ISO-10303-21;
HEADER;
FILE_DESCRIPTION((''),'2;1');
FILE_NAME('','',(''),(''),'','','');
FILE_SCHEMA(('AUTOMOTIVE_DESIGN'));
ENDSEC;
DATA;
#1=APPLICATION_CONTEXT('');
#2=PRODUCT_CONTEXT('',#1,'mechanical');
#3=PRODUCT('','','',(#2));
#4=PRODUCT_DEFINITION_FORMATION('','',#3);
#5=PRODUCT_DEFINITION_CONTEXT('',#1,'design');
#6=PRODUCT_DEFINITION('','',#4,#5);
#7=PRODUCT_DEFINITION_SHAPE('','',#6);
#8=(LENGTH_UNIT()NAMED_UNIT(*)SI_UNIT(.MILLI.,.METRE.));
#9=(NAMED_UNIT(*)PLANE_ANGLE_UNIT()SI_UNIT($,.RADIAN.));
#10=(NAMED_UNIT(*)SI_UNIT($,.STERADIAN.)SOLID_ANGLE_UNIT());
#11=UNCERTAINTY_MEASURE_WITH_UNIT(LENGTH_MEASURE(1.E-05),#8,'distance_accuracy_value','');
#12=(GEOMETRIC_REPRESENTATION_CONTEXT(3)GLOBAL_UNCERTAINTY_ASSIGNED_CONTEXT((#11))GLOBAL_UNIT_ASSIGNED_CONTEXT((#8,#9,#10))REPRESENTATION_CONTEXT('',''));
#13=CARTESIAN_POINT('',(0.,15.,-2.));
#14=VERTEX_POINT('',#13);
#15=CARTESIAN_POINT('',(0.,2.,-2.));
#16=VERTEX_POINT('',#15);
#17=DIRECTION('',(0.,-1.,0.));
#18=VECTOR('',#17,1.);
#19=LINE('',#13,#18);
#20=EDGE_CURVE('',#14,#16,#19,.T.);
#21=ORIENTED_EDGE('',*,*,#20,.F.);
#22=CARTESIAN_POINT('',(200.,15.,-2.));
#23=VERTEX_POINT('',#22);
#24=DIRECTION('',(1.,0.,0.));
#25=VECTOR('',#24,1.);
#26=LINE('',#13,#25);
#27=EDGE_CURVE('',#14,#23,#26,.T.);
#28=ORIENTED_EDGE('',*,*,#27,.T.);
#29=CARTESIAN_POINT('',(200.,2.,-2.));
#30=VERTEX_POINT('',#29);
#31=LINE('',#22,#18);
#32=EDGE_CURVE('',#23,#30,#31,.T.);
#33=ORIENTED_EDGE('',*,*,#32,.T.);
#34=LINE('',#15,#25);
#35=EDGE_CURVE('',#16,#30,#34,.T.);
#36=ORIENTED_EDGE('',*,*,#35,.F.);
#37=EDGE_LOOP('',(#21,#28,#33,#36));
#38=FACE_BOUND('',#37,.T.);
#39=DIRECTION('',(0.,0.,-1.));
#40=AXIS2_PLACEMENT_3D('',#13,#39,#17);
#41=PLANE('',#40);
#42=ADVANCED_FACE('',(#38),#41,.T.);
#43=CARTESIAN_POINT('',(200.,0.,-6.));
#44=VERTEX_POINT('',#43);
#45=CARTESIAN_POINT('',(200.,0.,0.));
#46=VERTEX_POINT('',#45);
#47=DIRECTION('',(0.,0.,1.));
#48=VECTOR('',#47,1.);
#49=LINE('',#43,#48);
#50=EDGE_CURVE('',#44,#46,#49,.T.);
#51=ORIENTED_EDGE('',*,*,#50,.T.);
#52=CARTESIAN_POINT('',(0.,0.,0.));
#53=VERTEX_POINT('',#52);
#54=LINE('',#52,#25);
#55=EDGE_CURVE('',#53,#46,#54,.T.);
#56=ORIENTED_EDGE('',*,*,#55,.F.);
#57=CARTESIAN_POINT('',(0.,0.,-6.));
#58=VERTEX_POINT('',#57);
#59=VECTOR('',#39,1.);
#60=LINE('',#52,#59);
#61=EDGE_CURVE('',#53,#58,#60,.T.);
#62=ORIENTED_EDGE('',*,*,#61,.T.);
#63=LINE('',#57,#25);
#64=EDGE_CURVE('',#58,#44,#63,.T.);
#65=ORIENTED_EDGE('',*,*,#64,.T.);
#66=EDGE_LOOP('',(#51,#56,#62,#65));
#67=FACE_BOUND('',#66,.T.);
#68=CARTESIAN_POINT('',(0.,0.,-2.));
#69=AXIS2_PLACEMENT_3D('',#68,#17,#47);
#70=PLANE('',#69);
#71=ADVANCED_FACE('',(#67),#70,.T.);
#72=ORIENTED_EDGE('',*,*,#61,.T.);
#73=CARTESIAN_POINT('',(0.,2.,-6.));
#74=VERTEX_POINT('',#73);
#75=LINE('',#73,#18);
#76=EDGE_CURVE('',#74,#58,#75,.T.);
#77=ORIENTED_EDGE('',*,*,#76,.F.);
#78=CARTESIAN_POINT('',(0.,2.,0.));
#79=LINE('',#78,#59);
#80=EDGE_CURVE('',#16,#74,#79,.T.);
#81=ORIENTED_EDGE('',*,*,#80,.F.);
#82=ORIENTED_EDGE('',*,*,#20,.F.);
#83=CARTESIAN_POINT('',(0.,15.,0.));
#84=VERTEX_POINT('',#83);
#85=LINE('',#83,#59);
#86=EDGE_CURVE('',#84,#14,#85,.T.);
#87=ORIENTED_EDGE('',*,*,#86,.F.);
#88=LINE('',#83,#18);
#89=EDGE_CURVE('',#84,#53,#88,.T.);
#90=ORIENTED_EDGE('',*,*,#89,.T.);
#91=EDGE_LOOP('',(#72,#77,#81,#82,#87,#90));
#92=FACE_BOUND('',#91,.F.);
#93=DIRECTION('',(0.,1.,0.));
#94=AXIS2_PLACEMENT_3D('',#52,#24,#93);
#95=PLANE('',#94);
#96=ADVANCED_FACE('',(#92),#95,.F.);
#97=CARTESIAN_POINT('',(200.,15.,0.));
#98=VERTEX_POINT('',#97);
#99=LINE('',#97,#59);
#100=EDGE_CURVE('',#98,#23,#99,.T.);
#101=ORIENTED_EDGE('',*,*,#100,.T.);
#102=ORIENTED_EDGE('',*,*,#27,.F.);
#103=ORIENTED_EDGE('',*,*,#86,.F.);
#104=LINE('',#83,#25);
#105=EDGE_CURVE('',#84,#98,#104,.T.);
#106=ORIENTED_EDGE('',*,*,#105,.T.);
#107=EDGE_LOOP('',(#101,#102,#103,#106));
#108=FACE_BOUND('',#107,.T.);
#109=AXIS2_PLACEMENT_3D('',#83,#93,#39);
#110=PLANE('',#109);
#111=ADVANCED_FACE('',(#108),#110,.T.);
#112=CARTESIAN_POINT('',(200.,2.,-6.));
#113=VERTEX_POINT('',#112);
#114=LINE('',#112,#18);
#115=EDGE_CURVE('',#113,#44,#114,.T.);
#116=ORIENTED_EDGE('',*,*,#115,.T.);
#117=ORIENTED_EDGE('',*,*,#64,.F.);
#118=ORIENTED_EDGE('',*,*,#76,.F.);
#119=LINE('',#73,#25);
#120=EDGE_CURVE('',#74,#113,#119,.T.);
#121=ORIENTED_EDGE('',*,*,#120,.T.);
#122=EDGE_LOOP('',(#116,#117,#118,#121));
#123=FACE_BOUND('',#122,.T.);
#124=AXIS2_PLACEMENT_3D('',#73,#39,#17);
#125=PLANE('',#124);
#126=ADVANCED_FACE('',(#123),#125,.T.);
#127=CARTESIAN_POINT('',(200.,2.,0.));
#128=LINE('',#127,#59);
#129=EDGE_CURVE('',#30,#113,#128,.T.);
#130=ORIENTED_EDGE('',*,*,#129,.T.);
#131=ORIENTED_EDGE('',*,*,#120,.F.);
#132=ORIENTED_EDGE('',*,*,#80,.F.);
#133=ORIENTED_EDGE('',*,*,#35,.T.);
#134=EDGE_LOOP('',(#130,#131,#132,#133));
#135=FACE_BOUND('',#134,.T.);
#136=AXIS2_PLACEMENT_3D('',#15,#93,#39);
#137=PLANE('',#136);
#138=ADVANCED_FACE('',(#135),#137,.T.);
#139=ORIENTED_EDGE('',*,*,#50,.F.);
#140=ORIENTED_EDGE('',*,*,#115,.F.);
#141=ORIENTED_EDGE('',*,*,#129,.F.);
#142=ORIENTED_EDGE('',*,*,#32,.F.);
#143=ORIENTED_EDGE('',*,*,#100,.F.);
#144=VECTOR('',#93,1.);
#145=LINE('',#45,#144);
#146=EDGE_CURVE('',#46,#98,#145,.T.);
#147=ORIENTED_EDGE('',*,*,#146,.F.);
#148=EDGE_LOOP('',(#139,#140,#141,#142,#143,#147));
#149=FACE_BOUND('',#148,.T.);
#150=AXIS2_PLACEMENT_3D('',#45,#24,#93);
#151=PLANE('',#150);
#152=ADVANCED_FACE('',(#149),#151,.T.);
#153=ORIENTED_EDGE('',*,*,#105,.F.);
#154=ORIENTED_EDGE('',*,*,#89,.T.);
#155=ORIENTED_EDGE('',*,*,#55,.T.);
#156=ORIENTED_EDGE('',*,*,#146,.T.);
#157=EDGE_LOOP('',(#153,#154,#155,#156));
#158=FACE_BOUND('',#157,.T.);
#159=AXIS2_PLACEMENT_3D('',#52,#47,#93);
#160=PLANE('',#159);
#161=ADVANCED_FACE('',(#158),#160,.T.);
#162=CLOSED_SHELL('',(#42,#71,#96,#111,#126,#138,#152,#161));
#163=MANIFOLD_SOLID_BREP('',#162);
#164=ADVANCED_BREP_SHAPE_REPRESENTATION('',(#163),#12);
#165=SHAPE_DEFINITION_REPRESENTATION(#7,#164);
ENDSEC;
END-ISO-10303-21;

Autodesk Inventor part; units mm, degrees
ref_plane "YZ Plane" through (0, 0, 0) normal (1, 0, 0) x (0, 1, 0)
ref_plane "XZ Plane" through (0, 0, 0) normal (0, 1, 0) x (-1, 0, 0)
ref_plane "XY Plane" through (0, 0, 0) normal (0, 0, 1) x (1, 0, 0)
sketch "Sketch1" plane through (0, 0, 0) normal (1, 0, 0) x (0, 1, 0)
  line L0 (0, 0) -> (15, 0)
  line L1 (15, 0) -> (15, -2)
  line L2 (15, -2) -> (0, -2)
  line L3 (0, -2) -> (0, 0)
  line L4 (0, 0) -> (2, 0)
  line L5 (2, 0) -> (2, -6)
  line L6 (2, -6) -> (0, -6)
  line L7 (0, -6) -> (0, 0)
  point P0 (0, -1)
  point P1 (1, 0)
  point P2 (1, -6)
  point P3 (2, -2)
  point P4 (0, -2)
  dimension "d0" = 15
  dimension "d1" = 2
  dimension "d2" = 2
  dimension "d3" = 6
extrude "Extrusion1" add sketch "Sketch1" along normal blind 200
equation "\"d2\" = d1"
properties part number "GuiderailRS3" material "Steel"
